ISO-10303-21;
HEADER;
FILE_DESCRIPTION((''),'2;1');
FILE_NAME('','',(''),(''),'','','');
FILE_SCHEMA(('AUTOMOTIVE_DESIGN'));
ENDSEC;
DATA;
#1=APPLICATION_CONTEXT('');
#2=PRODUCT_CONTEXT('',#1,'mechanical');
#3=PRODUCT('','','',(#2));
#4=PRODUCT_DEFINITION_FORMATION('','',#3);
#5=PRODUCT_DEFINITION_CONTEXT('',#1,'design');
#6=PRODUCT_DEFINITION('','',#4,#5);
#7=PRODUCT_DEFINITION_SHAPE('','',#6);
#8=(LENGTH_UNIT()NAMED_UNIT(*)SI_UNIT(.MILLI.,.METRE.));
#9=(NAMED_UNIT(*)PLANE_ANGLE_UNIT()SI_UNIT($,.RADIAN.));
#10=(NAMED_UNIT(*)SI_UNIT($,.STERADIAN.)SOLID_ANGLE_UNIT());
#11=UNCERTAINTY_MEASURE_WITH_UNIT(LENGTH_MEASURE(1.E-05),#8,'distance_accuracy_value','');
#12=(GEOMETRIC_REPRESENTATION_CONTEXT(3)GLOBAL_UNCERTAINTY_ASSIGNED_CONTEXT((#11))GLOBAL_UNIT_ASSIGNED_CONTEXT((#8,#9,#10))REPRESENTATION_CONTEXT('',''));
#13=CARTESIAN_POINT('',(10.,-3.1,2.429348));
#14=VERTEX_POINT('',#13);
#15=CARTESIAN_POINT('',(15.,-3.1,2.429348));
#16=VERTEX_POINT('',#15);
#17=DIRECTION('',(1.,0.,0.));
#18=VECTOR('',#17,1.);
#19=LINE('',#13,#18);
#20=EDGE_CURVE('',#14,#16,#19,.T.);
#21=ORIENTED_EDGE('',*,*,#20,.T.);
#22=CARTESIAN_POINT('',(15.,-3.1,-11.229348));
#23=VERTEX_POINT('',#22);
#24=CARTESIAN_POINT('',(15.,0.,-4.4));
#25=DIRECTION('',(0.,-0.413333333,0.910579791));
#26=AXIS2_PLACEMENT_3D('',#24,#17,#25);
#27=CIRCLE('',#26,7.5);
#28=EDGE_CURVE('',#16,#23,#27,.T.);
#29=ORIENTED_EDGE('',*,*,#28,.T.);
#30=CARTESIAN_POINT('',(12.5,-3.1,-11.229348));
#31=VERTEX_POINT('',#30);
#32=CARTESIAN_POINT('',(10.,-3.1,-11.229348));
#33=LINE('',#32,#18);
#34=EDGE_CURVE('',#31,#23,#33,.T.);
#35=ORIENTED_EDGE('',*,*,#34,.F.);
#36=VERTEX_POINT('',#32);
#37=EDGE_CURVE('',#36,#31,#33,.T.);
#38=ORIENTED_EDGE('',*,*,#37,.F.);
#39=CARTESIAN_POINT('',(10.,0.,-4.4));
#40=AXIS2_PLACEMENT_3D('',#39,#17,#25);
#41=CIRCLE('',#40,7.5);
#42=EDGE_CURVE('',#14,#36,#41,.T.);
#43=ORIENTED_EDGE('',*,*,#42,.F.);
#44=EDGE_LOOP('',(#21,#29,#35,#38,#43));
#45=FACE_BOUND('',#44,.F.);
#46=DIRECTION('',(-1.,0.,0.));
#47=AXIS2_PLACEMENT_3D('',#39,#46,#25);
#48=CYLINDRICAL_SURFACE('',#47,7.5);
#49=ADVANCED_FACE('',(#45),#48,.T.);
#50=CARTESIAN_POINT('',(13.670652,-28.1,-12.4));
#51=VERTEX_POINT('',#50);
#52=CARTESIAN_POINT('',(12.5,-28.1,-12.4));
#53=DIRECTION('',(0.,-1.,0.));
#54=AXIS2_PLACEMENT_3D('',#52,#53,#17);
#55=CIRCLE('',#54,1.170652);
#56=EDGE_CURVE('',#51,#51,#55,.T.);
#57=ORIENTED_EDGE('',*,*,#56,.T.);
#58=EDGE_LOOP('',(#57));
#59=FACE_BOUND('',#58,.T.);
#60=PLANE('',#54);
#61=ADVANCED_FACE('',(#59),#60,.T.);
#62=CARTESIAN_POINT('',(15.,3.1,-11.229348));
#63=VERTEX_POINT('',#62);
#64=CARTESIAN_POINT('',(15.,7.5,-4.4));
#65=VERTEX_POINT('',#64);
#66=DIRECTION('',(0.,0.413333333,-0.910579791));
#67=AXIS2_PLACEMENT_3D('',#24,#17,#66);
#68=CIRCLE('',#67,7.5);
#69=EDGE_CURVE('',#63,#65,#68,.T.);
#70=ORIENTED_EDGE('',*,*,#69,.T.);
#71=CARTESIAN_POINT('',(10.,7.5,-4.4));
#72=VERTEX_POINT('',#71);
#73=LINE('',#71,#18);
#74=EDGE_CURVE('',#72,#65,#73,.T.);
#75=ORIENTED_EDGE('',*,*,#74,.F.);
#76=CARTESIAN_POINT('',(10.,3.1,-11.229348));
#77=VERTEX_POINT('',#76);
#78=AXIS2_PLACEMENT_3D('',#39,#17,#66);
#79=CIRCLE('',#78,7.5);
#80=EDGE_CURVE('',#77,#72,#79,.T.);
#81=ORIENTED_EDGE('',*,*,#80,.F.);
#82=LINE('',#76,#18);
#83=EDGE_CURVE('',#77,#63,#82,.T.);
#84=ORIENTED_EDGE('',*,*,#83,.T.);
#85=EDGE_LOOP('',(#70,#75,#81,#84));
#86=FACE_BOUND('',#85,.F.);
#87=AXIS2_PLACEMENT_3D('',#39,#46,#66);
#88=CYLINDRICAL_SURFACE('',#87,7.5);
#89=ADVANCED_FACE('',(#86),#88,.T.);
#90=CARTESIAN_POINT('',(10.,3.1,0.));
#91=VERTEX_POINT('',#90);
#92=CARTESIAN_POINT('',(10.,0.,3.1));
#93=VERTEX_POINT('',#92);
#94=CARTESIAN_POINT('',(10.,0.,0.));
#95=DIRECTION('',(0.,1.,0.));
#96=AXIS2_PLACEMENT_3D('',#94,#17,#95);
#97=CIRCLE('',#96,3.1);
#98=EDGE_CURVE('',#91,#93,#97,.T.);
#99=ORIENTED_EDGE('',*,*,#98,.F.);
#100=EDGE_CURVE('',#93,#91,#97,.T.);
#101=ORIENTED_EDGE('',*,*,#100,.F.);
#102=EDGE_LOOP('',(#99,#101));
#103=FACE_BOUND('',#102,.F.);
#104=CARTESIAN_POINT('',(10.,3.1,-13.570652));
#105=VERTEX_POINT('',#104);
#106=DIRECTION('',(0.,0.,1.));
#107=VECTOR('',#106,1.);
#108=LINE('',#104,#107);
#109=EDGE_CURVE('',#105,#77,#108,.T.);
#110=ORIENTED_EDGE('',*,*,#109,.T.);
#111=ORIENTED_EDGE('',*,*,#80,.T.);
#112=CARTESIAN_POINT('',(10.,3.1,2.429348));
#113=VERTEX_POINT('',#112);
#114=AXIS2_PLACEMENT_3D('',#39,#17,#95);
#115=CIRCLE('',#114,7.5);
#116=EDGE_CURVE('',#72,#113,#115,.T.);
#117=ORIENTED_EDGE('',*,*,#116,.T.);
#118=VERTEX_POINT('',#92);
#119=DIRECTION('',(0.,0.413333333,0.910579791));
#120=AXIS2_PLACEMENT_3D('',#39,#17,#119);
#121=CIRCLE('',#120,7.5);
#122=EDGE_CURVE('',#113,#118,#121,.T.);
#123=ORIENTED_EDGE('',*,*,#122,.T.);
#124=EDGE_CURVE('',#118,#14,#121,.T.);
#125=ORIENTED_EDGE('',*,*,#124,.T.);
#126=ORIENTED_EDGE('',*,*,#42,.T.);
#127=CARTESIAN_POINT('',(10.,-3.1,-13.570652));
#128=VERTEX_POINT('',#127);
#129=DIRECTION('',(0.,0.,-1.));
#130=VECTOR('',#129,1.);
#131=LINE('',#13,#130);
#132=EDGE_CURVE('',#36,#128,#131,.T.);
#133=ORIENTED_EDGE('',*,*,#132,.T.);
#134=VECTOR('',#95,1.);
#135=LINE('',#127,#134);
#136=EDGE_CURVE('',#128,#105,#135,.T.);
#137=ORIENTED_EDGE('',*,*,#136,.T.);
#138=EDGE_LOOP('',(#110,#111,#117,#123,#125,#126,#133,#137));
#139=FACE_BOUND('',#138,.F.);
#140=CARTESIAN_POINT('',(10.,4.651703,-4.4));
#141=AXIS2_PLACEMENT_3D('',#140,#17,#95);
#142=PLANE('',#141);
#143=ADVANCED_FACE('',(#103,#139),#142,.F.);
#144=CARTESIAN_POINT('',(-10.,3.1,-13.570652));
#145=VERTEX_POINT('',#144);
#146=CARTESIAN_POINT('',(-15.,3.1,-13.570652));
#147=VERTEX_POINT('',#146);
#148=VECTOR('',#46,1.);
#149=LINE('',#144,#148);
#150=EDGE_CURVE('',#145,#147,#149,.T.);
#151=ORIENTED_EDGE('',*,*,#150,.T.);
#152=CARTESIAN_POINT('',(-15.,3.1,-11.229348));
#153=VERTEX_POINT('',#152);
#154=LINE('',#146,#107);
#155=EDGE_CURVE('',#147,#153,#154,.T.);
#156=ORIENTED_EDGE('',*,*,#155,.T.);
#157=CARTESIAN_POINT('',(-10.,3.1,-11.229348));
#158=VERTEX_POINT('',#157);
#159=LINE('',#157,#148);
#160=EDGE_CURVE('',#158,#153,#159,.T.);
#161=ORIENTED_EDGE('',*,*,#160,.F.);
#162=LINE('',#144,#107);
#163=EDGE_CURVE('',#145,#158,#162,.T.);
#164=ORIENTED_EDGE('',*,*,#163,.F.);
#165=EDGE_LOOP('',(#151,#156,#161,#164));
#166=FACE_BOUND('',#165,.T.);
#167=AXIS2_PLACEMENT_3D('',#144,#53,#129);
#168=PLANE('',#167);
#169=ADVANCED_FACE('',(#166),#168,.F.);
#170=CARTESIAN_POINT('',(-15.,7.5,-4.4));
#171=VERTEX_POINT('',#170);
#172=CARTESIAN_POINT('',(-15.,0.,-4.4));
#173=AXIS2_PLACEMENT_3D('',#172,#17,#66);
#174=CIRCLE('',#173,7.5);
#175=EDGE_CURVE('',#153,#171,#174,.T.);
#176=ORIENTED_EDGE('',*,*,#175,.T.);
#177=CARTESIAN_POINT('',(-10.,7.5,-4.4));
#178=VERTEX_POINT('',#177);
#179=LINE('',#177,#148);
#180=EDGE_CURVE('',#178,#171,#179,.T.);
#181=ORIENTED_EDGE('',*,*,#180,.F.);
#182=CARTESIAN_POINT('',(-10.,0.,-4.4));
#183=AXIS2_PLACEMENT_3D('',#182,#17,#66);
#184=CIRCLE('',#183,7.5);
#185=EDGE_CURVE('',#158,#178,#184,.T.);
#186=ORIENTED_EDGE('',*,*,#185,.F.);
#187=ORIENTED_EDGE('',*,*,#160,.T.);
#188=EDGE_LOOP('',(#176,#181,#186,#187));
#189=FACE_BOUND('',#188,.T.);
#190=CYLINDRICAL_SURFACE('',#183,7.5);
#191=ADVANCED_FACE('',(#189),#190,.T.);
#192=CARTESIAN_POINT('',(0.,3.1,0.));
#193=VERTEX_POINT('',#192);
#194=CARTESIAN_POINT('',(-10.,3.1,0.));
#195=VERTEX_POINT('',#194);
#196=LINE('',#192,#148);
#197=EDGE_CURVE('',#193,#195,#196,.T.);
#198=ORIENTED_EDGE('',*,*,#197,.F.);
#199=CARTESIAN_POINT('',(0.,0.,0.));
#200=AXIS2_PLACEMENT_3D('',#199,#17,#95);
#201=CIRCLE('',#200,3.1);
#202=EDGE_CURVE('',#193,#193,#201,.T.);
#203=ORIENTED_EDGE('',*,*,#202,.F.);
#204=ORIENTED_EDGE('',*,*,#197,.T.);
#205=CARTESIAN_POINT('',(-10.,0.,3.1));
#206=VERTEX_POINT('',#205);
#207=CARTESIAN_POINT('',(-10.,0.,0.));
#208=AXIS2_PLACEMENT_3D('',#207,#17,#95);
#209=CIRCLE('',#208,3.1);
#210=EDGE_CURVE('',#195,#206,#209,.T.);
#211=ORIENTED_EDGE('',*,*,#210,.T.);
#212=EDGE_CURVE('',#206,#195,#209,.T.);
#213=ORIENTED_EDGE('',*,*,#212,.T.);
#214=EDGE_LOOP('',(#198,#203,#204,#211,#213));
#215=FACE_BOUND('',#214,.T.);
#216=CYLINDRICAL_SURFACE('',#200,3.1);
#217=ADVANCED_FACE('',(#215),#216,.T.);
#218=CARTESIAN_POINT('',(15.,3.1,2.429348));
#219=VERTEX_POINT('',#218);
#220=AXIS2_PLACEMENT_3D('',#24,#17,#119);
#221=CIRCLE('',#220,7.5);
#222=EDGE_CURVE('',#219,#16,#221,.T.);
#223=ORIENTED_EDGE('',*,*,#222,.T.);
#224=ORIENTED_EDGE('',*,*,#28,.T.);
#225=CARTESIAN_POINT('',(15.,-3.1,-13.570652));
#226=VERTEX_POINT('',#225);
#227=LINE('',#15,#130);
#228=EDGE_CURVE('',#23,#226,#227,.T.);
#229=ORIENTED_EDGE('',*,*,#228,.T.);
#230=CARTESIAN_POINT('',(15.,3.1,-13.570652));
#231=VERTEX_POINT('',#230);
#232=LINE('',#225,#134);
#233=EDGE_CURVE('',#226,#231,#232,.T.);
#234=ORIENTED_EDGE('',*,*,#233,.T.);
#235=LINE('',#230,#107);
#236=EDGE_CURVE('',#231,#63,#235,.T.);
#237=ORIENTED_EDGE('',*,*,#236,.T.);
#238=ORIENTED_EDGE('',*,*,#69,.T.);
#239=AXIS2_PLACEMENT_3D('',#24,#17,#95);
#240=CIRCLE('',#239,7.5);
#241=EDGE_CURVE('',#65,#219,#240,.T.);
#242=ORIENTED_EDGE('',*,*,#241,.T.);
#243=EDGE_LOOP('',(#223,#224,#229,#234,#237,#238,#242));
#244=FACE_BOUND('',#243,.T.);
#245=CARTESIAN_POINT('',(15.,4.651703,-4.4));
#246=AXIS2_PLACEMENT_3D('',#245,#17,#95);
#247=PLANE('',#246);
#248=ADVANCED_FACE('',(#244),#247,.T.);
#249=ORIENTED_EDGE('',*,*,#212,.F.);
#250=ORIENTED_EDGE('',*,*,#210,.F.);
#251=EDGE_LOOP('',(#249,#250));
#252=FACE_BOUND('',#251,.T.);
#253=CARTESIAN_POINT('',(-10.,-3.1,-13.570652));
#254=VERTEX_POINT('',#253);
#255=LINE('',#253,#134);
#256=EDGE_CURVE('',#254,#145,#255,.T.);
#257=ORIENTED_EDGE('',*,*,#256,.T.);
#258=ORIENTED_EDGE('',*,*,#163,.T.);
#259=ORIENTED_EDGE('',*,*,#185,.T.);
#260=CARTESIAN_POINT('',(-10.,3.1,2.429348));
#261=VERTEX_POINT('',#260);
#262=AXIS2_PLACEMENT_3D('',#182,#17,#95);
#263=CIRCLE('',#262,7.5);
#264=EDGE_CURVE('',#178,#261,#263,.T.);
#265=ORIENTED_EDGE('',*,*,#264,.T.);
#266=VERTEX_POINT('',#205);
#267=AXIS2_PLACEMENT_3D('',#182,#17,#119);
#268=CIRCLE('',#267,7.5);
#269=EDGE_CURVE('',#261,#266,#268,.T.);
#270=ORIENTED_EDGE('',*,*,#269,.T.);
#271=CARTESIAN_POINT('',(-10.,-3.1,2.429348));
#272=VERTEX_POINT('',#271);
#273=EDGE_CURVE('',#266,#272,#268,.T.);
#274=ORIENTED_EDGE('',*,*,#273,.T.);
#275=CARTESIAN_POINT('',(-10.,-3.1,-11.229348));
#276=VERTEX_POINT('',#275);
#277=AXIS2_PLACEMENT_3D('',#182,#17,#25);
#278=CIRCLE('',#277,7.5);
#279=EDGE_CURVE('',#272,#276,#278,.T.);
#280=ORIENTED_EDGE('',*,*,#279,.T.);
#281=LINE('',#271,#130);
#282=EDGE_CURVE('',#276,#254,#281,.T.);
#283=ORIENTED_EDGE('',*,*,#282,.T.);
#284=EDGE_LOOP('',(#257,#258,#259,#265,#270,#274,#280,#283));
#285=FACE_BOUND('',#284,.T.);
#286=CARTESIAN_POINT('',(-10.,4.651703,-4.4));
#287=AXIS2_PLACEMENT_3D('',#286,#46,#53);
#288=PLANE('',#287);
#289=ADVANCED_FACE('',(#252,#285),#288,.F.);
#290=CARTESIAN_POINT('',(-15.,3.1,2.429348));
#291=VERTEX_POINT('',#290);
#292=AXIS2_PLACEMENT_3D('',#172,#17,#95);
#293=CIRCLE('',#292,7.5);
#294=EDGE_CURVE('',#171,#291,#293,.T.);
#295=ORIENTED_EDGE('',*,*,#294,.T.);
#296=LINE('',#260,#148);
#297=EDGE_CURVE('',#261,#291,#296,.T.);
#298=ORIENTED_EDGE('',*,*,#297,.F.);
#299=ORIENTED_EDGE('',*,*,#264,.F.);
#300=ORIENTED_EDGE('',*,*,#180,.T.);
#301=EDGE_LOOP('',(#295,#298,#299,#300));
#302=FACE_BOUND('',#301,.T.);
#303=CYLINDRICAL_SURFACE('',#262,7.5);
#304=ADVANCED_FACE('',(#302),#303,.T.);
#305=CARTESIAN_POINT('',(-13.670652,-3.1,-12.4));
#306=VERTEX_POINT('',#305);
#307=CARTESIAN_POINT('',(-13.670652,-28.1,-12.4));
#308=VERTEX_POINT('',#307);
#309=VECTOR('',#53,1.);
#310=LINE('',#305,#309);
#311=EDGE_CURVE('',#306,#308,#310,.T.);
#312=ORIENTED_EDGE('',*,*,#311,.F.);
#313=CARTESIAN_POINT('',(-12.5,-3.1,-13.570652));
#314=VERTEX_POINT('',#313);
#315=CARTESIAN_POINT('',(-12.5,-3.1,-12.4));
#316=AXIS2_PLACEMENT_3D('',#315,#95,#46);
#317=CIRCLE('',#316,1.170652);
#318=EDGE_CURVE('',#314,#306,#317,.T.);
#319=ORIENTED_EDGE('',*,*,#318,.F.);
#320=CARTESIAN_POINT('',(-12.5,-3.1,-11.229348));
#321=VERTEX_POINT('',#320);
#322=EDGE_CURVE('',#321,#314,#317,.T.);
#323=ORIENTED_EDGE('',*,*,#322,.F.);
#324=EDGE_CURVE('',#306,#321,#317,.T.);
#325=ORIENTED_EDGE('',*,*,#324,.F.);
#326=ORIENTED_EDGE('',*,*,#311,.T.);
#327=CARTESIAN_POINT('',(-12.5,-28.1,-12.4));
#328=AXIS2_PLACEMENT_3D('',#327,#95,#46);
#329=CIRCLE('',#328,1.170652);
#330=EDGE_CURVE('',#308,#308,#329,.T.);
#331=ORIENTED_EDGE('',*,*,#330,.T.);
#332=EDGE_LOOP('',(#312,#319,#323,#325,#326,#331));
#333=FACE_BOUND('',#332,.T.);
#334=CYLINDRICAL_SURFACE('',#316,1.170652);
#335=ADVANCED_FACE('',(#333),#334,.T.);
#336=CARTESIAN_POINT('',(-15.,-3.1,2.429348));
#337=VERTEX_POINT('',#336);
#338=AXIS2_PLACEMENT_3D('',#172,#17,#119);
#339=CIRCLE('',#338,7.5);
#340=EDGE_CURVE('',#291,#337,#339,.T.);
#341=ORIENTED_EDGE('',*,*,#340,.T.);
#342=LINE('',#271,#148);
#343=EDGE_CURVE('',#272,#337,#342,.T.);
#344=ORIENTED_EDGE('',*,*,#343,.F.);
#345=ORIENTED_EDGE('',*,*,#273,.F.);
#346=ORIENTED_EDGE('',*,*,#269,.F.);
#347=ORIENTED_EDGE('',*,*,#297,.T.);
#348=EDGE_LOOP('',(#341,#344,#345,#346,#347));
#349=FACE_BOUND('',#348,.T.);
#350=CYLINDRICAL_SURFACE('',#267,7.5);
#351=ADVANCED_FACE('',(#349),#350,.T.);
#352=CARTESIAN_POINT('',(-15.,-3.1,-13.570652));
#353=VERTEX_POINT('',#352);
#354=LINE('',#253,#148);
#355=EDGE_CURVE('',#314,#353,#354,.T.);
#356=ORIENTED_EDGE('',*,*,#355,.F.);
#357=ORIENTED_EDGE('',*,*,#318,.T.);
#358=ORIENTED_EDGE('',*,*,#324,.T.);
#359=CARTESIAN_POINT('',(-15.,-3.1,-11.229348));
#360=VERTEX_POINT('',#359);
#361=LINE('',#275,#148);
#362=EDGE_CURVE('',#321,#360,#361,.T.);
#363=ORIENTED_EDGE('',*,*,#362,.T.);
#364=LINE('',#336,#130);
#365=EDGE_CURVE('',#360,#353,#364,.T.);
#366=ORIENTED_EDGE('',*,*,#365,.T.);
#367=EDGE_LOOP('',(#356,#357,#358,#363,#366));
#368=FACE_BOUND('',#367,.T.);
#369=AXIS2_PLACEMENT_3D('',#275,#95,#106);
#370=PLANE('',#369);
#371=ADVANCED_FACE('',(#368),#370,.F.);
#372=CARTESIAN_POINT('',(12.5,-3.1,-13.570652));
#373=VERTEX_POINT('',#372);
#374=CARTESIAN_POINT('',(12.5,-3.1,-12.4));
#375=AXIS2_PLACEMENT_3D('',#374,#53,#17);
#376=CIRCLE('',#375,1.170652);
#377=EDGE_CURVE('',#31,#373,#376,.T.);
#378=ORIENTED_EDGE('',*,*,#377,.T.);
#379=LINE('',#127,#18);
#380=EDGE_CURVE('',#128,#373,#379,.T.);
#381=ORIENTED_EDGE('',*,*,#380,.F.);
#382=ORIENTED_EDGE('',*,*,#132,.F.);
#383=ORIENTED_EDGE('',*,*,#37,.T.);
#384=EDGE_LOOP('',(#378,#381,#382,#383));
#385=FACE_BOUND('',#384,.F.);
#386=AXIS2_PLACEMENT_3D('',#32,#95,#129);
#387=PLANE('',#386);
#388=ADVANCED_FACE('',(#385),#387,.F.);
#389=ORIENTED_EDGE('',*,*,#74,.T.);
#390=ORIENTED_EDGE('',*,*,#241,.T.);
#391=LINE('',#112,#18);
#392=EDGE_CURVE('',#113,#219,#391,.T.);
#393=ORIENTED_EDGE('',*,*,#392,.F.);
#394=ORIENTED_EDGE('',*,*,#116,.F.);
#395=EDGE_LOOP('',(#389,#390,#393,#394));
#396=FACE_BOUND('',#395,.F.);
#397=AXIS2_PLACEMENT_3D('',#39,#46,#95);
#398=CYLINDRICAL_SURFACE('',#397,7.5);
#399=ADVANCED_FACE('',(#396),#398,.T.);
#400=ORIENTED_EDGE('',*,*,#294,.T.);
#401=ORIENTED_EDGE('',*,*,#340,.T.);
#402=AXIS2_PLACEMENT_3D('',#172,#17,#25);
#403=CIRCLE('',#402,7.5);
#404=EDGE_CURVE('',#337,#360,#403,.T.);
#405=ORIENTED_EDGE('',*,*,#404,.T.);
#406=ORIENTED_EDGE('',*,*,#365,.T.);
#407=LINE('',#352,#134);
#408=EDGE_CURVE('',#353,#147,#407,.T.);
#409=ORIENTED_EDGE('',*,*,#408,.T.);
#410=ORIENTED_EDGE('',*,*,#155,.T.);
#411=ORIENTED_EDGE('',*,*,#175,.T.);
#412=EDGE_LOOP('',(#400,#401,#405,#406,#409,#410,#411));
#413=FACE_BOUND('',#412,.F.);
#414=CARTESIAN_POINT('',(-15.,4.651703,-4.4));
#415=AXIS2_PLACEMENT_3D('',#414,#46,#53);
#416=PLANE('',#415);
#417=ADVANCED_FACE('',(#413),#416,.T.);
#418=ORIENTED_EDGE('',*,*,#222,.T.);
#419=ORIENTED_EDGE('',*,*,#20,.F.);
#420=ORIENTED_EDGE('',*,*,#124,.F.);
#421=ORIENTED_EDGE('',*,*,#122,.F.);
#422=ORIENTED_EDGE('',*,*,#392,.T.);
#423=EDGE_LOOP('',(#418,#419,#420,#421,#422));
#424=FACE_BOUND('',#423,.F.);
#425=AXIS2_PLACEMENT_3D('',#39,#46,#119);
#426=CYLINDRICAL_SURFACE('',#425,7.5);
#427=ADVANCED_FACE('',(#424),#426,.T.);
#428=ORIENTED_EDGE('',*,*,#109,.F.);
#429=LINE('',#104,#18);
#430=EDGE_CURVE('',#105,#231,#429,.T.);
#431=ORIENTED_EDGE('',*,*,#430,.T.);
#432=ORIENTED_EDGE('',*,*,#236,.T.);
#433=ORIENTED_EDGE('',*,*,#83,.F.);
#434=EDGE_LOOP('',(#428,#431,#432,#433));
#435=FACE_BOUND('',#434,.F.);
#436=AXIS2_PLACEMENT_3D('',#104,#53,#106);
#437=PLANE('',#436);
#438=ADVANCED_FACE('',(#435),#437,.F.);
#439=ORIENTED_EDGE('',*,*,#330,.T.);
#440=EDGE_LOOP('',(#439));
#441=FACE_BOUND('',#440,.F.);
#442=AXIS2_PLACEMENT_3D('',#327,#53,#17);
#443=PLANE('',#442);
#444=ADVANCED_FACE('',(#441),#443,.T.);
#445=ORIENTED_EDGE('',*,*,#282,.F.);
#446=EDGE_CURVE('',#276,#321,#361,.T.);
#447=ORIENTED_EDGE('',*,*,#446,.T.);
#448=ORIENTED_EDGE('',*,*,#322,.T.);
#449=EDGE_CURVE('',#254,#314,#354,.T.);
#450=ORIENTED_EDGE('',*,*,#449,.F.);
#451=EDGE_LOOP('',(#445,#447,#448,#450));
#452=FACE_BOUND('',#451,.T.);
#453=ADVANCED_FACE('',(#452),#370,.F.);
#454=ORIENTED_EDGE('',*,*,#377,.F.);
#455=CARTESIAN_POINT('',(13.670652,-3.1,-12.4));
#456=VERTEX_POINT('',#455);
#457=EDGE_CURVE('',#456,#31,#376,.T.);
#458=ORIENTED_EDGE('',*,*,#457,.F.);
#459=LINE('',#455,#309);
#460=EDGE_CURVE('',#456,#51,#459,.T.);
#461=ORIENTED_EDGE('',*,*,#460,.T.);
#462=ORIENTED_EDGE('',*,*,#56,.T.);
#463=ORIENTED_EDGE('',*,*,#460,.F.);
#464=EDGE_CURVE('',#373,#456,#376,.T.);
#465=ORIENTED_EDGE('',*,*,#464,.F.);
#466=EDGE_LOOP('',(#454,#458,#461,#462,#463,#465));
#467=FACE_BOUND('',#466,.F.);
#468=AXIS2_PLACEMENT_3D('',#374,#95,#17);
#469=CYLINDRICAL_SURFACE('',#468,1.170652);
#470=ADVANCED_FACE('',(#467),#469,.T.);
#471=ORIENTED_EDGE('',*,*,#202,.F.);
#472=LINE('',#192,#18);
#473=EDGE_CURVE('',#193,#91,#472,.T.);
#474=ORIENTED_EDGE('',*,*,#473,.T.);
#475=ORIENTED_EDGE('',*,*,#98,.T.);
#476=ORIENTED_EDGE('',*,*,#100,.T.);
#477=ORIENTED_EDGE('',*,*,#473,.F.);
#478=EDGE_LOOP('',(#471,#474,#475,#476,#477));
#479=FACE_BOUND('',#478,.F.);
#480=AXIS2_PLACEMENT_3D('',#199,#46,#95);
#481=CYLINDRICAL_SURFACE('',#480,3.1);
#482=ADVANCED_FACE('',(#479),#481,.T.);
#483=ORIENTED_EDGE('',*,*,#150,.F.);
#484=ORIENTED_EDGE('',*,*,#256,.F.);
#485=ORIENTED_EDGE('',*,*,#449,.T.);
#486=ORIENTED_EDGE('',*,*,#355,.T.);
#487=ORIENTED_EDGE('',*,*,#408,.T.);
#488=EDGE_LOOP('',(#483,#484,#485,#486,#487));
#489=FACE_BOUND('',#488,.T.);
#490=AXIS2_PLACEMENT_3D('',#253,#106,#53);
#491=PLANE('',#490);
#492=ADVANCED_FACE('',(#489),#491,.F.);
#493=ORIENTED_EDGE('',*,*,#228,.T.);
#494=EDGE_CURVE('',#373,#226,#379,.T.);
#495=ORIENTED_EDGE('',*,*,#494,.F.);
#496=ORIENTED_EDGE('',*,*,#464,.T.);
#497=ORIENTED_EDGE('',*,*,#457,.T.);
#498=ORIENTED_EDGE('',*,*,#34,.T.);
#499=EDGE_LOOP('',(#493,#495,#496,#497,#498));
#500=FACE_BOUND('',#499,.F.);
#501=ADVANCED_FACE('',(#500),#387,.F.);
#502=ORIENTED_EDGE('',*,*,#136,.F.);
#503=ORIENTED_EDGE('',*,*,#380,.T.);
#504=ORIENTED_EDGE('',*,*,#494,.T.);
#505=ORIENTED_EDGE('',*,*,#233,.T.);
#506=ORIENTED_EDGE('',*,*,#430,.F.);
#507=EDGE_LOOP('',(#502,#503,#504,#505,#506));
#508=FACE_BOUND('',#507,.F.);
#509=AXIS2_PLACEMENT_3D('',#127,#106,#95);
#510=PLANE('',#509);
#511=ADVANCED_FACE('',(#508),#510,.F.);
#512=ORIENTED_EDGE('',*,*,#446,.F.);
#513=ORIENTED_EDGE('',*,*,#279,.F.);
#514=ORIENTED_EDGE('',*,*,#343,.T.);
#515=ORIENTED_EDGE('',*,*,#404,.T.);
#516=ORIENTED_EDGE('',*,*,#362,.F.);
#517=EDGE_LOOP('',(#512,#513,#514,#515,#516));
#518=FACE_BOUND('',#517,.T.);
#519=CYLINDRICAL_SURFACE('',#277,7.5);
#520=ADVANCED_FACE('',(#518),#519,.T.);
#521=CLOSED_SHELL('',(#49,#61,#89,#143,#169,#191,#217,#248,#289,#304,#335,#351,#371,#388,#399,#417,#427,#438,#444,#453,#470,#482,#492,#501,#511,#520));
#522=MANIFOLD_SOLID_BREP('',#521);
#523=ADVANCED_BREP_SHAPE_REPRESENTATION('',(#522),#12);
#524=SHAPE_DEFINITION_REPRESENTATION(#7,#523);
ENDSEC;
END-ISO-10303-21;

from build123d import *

# Parameters (mm, degrees)
F0_R     = 3.1
F1_DEPTH = 10
F3_DEPTH = 5
F4_R     = 1.1706515684
F5_DEPTH = 25


with BuildPart() as f1:
    # F0 (on Right) → F1 (new body)
    with BuildSketch(Plane.YZ):
        Circle(F0_R)
    extrude(amount=F1_DEPTH)

    # F2 (on face) → F3 (join)
    with BuildSketch(Plane.YZ.offset(10)):
        with BuildLine():
            ThreePointArc((3.1, -11.2293484316), (6.3047601065, -8.4620192023), (7.5, -4.4))
            ThreePointArc((7.5, -4.4), (6.3047601065, -0.3379807977), (3.1, 2.4293484316))
            Line((3.1, 2.4293484316), (3.1, -11.2293484316))
        make_face()
        with BuildLine():
            Line((-3.1, 2.4293484316), (3.1, 2.4293484316))
            ThreePointArc((3.1, 2.4293484316), (0, 3.1), (-3.1, 2.4293484316))
        make_face()
        with BuildLine():
            Line((3.1, -11.2293484316), (3.1, 2.4293484316))
            Line((3.1, 2.4293484316), (-3.1, 2.4293484316))
            Line((-3.1, 2.4293484316), (-3.1, -11.2293484316))
            ThreePointArc((-3.1, -11.2293484316), (0, -11.9), (3.1, -11.2293484316))
        make_face()
        with BuildLine():
            Line((3.1, -13.5706515684), (3.1, -11.2293484316))
            ThreePointArc((3.1, -11.2293484316), (0, -11.9), (-3.1, -11.2293484316))
            Line((-3.1, -11.2293484316), (-3.1, -13.5706515684))
            Line((-3.1, -13.5706515684), (3.1, -13.5706515684))
        make_face()
        with BuildLine():
            Line((-3.1, -11.2293484316), (-3.1, 2.4293484316))
            ThreePointArc((-3.1, 2.4293484316), (-7.5, -4.4), (-3.1, -11.2293484316))
        make_face()
    extrude(amount=F3_DEPTH)

    # F4 (on face) → F5 (join)
    with BuildSketch(Plane.XZ.offset(3.1)):
        with Locations((12.5, -12.4)):
            Circle(F4_R)
    extrude(amount=F5_DEPTH)

    # F6: F1 across face


with BuildPart() as f1_1:
    add(f1.part)
    add(f1.part.mirror(Plane(origin=(0, 0, 0), x_dir=(0, 1, 0), z_dir=(-1, 0, 0))))


solid = f1_1.part
